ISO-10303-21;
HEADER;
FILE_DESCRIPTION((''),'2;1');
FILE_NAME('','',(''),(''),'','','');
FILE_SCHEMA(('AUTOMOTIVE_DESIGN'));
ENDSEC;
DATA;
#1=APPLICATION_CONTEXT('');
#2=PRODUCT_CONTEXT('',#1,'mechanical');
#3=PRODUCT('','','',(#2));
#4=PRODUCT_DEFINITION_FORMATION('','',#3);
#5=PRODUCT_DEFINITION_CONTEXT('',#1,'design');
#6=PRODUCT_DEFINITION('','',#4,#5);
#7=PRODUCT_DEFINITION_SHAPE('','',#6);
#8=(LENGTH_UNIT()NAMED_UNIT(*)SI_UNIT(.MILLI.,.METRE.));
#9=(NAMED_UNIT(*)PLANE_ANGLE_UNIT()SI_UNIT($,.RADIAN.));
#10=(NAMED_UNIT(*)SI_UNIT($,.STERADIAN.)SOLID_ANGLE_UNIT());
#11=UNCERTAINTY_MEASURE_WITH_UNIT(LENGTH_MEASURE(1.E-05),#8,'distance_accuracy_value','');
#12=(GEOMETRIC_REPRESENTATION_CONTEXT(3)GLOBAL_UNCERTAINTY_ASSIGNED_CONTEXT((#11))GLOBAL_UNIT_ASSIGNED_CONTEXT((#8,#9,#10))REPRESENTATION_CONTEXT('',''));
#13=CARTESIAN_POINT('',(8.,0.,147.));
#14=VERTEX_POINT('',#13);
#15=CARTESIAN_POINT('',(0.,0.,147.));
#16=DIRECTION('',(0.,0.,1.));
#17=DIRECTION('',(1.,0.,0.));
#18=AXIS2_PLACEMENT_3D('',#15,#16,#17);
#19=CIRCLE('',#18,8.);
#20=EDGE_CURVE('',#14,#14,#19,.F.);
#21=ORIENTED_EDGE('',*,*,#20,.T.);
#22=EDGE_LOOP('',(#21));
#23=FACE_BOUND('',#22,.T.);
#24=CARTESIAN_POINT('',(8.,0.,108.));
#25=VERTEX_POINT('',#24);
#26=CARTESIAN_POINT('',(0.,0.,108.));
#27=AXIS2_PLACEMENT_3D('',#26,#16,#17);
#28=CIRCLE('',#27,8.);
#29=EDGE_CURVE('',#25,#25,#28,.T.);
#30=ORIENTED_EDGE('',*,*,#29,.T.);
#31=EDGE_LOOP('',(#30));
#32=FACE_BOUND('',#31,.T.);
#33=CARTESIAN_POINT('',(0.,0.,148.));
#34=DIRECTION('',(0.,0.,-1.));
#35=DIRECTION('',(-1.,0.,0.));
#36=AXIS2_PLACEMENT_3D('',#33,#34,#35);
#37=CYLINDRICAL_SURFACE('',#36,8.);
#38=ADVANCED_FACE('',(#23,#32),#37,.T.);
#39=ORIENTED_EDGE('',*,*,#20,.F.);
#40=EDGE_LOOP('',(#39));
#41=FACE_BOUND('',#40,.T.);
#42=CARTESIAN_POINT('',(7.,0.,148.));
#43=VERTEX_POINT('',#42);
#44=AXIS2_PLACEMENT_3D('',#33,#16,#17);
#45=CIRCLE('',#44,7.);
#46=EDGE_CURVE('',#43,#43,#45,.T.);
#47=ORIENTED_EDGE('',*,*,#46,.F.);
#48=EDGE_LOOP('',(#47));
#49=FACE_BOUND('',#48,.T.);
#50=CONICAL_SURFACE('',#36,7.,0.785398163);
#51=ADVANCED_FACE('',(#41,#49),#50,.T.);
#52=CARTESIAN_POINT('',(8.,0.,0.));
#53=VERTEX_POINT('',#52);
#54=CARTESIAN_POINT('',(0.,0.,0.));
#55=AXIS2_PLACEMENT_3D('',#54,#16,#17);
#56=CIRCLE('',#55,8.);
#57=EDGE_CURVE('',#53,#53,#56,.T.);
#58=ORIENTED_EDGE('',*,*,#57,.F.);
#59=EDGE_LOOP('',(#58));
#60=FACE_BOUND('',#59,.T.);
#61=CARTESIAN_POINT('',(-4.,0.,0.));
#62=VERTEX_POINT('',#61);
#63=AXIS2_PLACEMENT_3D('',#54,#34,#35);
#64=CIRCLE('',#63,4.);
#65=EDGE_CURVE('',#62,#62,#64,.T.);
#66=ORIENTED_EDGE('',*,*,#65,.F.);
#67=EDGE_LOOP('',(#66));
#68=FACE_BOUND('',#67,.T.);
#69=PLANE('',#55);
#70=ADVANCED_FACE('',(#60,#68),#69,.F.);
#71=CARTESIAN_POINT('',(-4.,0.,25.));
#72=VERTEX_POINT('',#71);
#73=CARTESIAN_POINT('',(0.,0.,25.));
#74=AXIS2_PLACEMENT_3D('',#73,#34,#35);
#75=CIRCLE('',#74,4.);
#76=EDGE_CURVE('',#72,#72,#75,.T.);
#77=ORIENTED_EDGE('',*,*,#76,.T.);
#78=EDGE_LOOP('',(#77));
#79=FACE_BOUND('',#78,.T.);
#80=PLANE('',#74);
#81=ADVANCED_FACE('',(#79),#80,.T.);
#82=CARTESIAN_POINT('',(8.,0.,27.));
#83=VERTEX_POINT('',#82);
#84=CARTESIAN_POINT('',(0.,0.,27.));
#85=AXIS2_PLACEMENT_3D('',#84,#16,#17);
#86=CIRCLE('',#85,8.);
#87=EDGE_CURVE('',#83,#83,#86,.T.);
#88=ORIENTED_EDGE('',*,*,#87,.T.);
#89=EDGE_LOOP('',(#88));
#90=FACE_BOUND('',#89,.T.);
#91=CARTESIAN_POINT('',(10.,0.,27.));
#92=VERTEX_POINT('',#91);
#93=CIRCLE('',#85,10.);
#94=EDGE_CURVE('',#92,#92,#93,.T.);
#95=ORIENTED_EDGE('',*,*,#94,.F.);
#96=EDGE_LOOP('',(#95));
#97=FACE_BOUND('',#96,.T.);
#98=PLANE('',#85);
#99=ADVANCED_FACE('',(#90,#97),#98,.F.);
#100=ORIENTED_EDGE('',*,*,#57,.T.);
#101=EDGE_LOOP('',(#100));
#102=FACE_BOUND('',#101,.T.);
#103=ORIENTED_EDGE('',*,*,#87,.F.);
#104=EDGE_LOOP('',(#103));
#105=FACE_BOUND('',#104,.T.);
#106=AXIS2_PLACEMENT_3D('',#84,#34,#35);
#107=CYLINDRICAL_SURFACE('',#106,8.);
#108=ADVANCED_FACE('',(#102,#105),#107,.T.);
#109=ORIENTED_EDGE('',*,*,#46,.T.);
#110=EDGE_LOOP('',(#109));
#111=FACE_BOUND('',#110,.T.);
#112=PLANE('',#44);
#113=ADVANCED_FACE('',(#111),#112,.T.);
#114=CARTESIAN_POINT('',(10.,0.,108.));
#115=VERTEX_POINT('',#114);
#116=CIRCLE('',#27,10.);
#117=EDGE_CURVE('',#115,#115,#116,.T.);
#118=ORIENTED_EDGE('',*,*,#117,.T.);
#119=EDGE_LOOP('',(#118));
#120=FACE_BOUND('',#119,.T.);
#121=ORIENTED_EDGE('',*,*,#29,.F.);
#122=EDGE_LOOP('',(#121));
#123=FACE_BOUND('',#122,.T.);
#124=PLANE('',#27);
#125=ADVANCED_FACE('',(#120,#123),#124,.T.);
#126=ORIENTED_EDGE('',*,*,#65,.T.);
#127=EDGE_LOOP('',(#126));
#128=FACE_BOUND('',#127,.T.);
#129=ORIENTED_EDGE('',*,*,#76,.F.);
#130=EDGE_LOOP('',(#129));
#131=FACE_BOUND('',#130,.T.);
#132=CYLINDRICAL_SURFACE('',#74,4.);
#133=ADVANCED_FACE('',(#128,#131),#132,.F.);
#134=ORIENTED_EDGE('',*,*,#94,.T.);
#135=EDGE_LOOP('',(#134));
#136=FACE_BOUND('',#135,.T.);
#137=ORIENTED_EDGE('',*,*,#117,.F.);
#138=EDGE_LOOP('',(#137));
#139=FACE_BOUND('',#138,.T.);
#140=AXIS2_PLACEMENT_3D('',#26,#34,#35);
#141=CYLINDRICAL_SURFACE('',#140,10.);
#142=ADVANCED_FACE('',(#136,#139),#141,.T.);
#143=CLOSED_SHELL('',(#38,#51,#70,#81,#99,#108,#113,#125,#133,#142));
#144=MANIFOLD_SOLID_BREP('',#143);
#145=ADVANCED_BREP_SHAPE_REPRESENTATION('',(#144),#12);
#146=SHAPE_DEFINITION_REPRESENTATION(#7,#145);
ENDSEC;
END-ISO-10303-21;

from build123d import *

# Parameters (mm, degrees)
CROQUIS1_R              = 8
SALIENTE_EXTRUIR1_DEPTH = 27
CROQUIS2_R              = 10
SALIENTE_EXTRUIR2_DEPTH = 81
CROQUIS3_R              = 8
SALIENTE_EXTRUIR3_DEPTH = 40
CHAFL_N1_SIZE           = 1
CROQUIS4_R              = 4
CORTAR_EXTRUIR1_DEPTH   = 25


with BuildPart() as part:
    # Croquis1 → Saliente-Extruir1 (new body)
    with BuildSketch(Plane.XY):
        Circle(CROQUIS1_R)
    extrude(amount=SALIENTE_EXTRUIR1_DEPTH)

    # Croquis2 → Saliente-Extruir2 (add)
    with BuildSketch(Plane.XY.offset(27)):
        Circle(CROQUIS2_R)
    extrude(amount=SALIENTE_EXTRUIR2_DEPTH)

    # Croquis3 → Saliente-Extruir3 (add)
    with BuildSketch(Plane.XY.offset(108)):
        Circle(CROQUIS3_R)
    extrude(amount=SALIENTE_EXTRUIR3_DEPTH)

    # Chaflán1
    chafl_n1_edges = [part.edges().sort_by_distance(p)[0] for p in [
        (-8, 0, 148),
    ]]
    chamfer(chafl_n1_edges, length=CHAFL_N1_SIZE)

    # Croquis4 → Cortar-Extruir1 (cut)
    with BuildSketch(Plane(origin=(0, 0, 0), x_dir=(-1, 0, 0), z_dir=(0, 0, -1))):
        Circle(CROQUIS4_R)
    extrude(amount=-CORTAR_EXTRUIR1_DEPTH, mode=Mode.SUBTRACT)


solid = part.part
